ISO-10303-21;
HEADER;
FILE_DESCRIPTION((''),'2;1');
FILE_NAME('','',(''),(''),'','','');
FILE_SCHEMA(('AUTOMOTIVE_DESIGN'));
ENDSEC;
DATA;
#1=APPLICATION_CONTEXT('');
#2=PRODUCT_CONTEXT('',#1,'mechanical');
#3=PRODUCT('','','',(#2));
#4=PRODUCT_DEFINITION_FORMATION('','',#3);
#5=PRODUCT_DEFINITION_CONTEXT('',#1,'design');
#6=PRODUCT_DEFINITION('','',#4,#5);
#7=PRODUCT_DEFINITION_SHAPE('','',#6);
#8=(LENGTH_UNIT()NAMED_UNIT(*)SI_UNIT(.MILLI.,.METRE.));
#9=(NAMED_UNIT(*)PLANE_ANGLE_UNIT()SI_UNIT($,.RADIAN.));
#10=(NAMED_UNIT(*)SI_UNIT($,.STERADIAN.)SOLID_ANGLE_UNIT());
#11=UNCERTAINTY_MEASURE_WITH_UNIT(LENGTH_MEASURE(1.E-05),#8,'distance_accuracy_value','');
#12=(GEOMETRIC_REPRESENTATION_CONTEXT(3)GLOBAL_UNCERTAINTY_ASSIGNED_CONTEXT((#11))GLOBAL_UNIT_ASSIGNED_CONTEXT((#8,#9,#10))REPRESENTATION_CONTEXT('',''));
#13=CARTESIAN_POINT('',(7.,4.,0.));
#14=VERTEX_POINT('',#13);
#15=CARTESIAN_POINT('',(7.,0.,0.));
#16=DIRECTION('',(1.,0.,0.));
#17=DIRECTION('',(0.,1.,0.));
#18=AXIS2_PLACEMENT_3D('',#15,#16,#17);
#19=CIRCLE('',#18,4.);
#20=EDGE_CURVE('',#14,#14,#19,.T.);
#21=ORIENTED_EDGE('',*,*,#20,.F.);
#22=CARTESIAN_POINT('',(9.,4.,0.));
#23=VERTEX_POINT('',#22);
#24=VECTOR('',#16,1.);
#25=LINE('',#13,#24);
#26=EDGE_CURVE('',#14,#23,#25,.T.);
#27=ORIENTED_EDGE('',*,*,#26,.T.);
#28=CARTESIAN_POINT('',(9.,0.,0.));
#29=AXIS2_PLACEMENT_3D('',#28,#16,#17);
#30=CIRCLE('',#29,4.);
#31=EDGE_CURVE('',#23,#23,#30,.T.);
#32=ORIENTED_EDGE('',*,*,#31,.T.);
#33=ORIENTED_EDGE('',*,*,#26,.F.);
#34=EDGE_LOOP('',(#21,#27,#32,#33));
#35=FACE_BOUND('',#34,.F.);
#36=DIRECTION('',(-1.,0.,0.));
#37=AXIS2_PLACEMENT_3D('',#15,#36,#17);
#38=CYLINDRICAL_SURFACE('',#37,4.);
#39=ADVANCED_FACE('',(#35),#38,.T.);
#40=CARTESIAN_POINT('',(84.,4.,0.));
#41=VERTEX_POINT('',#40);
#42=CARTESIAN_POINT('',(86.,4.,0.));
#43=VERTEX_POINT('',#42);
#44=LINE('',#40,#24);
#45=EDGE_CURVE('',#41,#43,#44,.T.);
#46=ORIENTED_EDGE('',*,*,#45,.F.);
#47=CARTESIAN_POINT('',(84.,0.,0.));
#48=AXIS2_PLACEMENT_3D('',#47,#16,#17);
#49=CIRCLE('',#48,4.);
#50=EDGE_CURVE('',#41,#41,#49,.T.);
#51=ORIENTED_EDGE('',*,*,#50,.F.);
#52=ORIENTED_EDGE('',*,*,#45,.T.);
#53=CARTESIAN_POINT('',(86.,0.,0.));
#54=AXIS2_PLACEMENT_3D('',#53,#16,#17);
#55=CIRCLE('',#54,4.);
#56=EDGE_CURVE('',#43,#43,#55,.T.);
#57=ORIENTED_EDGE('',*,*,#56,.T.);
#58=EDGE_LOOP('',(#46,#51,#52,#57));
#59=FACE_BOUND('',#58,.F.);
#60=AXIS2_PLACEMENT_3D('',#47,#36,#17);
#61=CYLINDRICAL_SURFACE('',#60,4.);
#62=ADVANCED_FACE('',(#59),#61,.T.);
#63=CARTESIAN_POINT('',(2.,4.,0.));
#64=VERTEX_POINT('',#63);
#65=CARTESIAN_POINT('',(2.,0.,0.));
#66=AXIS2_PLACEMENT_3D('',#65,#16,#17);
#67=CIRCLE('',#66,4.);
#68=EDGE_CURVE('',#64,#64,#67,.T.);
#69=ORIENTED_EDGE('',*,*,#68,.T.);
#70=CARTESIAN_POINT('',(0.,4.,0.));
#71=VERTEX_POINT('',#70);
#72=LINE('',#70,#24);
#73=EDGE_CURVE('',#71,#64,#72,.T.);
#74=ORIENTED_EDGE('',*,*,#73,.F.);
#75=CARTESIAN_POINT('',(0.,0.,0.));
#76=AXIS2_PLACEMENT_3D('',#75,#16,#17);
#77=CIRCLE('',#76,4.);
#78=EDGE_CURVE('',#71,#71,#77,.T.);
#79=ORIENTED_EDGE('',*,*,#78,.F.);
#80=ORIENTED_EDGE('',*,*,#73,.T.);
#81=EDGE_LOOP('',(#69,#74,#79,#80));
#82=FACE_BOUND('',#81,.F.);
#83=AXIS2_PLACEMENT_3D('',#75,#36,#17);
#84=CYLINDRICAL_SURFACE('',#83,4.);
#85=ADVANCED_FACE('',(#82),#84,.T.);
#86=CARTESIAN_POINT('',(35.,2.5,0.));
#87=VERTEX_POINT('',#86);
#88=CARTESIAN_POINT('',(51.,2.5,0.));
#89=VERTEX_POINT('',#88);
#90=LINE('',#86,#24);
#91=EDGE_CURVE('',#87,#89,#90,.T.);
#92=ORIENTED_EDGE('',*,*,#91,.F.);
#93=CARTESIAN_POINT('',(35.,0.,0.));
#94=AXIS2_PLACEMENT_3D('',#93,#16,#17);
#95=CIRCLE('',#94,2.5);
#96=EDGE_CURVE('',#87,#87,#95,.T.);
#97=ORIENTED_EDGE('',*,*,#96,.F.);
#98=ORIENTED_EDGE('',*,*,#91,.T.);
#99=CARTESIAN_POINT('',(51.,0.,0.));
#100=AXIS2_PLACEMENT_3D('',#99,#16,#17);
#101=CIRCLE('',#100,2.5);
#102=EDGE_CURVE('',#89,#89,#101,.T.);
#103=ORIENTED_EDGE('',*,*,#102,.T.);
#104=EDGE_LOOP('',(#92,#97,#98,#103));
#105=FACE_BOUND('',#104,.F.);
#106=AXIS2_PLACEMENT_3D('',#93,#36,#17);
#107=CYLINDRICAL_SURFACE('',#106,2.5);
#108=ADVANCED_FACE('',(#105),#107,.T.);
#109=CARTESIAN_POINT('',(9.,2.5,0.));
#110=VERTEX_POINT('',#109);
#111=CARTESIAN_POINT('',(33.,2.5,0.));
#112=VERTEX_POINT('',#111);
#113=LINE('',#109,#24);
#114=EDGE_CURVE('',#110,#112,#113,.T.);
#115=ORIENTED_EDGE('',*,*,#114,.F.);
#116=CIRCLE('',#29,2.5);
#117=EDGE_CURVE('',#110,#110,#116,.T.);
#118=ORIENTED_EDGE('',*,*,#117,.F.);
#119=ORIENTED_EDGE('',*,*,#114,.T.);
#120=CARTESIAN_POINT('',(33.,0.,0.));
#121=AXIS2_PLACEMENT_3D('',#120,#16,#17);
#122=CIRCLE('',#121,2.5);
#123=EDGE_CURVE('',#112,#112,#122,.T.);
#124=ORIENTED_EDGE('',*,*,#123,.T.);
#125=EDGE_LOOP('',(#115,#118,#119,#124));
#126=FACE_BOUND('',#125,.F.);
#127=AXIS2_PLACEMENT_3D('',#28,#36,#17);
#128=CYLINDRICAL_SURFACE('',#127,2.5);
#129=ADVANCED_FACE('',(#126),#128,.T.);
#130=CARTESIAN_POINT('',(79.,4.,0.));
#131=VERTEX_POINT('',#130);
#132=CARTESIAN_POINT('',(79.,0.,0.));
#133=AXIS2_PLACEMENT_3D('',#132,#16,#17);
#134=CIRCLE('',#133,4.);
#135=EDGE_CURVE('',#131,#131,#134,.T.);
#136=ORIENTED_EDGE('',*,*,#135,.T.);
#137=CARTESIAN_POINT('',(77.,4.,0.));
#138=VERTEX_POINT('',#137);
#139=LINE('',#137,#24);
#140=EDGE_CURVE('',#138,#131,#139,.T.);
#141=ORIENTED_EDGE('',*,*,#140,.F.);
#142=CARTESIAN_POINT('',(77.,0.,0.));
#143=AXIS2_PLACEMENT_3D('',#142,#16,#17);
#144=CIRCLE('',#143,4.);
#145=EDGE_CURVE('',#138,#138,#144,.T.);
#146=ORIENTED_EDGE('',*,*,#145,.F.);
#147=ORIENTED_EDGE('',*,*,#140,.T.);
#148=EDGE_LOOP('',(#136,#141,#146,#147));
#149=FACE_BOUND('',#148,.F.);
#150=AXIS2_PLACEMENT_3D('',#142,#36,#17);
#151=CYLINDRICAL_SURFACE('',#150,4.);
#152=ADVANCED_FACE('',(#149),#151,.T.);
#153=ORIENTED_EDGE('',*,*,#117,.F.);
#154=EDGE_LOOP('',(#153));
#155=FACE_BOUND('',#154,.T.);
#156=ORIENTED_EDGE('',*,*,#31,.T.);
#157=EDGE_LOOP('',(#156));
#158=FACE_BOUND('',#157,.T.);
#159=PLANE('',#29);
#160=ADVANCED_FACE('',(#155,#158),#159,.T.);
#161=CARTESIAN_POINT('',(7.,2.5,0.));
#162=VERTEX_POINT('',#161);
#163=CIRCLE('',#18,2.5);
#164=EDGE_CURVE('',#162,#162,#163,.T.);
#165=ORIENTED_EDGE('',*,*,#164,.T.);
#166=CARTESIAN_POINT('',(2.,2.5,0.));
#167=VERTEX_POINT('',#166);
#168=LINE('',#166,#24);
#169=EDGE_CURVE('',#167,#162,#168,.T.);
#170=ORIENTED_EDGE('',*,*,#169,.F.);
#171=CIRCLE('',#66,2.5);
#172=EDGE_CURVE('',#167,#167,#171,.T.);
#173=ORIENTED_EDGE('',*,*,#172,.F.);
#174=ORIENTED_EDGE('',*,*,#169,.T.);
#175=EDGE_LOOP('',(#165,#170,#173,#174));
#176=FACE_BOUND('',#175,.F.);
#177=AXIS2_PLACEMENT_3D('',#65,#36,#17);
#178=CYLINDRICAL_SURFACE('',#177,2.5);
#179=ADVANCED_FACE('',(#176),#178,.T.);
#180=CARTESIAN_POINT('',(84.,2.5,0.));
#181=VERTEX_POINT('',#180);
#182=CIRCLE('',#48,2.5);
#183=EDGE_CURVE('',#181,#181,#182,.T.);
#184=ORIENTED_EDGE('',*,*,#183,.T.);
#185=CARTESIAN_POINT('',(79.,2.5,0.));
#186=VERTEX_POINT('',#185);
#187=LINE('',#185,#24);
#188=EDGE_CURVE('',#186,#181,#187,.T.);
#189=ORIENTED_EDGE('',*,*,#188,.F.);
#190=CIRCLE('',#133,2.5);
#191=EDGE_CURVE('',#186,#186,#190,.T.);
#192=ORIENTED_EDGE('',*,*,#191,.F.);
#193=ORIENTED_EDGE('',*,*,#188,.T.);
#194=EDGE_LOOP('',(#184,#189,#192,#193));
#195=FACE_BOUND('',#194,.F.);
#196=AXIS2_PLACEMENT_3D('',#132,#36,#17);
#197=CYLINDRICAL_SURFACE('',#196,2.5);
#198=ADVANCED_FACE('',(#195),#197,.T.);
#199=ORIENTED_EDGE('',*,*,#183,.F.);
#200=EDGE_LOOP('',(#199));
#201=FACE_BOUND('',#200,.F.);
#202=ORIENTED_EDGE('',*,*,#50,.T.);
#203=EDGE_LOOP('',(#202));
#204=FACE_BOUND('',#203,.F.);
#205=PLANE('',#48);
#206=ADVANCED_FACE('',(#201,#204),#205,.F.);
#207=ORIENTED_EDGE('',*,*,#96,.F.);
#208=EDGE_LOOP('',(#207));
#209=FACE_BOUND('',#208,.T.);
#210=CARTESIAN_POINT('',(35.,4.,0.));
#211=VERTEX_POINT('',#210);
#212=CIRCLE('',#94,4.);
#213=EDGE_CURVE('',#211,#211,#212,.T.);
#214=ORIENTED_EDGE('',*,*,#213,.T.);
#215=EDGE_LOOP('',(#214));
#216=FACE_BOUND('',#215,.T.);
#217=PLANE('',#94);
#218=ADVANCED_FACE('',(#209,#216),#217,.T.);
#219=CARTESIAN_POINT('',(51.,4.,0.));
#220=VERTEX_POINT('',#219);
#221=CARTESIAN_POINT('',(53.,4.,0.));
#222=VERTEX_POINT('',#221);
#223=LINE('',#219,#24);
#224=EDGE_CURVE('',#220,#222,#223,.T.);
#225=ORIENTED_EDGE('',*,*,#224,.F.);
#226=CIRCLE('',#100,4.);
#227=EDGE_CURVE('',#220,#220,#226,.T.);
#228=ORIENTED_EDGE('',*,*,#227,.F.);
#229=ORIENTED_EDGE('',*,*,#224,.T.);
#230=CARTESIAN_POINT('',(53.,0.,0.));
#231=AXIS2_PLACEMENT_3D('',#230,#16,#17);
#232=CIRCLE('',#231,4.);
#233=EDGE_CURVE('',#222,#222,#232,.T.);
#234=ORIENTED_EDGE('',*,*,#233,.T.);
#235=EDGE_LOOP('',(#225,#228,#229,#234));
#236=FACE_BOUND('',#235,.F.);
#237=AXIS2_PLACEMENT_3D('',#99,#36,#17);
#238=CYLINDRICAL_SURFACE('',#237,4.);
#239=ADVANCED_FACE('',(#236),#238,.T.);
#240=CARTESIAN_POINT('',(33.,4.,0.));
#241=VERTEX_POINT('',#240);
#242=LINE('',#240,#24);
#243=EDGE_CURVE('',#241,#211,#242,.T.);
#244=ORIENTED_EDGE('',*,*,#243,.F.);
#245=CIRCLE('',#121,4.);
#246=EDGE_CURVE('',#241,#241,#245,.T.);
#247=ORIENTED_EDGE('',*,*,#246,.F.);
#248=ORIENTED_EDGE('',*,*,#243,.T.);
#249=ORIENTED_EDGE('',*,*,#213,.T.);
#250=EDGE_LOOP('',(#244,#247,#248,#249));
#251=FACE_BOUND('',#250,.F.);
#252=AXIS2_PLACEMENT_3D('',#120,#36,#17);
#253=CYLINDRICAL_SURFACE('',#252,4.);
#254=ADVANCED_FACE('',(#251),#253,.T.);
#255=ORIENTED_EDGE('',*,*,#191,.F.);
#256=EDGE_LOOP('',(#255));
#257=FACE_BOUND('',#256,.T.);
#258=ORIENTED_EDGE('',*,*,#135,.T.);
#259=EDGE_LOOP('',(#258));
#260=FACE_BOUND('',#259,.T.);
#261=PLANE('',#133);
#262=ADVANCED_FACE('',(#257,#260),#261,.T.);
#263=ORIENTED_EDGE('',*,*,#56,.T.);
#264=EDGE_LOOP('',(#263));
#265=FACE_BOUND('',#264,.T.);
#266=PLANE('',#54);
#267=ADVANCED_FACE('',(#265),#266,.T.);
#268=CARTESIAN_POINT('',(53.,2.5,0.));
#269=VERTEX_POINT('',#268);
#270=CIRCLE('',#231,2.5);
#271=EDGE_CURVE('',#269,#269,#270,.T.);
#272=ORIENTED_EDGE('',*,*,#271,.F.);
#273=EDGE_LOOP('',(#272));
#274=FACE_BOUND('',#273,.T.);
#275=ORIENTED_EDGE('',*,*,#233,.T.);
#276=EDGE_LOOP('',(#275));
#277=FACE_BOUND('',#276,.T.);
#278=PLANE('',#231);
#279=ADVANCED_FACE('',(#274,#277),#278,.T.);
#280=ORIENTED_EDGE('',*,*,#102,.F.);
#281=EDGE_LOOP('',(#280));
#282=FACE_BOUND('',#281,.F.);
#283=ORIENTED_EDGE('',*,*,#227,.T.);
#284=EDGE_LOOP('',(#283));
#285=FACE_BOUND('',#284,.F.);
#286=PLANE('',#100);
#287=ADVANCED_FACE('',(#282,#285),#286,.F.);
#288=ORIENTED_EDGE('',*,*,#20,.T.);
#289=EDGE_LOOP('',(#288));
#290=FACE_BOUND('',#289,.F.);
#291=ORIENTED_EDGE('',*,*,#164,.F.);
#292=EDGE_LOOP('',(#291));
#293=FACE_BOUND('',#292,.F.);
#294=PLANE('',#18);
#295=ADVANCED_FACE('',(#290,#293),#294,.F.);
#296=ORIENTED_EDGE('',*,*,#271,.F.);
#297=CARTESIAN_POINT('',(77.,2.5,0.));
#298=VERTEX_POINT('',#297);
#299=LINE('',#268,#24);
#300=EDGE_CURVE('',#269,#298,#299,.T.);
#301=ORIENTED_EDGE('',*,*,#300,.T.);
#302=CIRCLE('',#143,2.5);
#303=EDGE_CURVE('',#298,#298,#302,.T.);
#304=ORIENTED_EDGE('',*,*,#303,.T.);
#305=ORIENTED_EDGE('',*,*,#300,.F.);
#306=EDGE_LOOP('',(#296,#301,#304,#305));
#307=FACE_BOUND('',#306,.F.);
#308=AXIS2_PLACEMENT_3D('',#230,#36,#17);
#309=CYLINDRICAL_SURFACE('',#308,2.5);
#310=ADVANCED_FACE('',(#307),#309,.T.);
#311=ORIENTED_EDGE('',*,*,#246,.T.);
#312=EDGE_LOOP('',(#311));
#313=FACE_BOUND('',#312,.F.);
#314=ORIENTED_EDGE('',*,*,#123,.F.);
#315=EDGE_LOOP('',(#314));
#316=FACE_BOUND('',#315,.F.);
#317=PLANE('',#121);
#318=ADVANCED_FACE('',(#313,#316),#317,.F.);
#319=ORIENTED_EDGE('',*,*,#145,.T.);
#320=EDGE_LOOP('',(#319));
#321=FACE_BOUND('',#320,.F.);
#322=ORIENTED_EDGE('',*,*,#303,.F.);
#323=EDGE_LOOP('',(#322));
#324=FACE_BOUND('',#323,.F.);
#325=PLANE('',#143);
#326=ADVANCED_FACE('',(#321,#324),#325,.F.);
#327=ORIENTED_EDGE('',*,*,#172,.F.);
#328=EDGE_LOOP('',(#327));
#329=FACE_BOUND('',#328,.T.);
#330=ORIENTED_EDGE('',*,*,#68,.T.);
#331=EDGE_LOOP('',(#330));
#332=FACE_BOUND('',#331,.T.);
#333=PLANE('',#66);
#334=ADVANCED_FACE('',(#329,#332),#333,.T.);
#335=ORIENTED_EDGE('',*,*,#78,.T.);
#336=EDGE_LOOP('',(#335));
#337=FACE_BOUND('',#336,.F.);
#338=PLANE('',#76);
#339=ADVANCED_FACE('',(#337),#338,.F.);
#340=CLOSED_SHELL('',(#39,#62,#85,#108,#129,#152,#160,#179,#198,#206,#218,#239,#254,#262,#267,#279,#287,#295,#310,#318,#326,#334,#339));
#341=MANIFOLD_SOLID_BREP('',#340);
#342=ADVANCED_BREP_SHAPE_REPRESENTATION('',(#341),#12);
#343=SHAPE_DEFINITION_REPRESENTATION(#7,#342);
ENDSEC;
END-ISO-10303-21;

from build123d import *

# Parameters (mm, degrees)
F0_R      = 4
F1_DEPTH  = 2
F2_R      = 2.5
F3_DEPTH  = 5
F4_R      = 4
F5_DEPTH  = 2
F6_R      = 2.5
F7_DEPTH  = 24
F8_R      = 4
F9_DEPTH  = 2
F10_R     = 2.5
F11_DEPTH = 16
F12_R     = 4
F13_DEPTH = 2
F14_R     = 2.5
F15_DEPTH = 24
F16_R     = 4
F17_DEPTH = 2
F18_R     = 2.5
F19_DEPTH = 5
F20_R     = 4
F21_DEPTH = 2


with BuildPart() as f1:
    # F0 (on Right) → F1 (new body)
    with BuildSketch(Plane.YZ):
        Circle(F0_R)
    extrude(amount=F1_DEPTH)

    # F2 (on face) → F3 (join)
    with BuildSketch(Plane.YZ.offset(2)):
        Circle(F2_R)
    extrude(amount=F3_DEPTH)

    # F4 (on face) → F5 (join)
    with BuildSketch(Plane.YZ.offset(7)):
        Circle(F4_R)
    extrude(amount=F5_DEPTH)

    # F6 (on face) → F7 (join)
    with BuildSketch(Plane.YZ.offset(9)):
        Circle(F6_R)
    extrude(amount=F7_DEPTH)

    # F8 (on face) → F9 (join)
    with BuildSketch(Plane.YZ.offset(33)):
        Circle(F8_R)
    extrude(amount=F9_DEPTH)

    # F10 (on face) → F11 (join)
    with BuildSketch(Plane.YZ.offset(35)):
        Circle(F10_R)
    extrude(amount=F11_DEPTH)

    # F12 (on face) → F13 (join)
    with BuildSketch(Plane.YZ.offset(51)):
        Circle(F12_R)
    extrude(amount=F13_DEPTH)

    # F14 (on face) → F15 (join)
    with BuildSketch(Plane.YZ.offset(53)):
        Circle(F14_R)
    extrude(amount=F15_DEPTH)

    # F16 (on face) → F17 (join)
    with BuildSketch(Plane.YZ.offset(77)):
        Circle(F16_R)
    extrude(amount=F17_DEPTH)

    # F18 (on face) → F19 (join)
    with BuildSketch(Plane.YZ.offset(79)):
        Circle(F18_R)
    extrude(amount=F19_DEPTH)

    # F20 (on face) → F21 (join)
    with BuildSketch(Plane.YZ.offset(84)):
        Circle(F20_R)
    extrude(amount=F21_DEPTH)


solid = f1.part
